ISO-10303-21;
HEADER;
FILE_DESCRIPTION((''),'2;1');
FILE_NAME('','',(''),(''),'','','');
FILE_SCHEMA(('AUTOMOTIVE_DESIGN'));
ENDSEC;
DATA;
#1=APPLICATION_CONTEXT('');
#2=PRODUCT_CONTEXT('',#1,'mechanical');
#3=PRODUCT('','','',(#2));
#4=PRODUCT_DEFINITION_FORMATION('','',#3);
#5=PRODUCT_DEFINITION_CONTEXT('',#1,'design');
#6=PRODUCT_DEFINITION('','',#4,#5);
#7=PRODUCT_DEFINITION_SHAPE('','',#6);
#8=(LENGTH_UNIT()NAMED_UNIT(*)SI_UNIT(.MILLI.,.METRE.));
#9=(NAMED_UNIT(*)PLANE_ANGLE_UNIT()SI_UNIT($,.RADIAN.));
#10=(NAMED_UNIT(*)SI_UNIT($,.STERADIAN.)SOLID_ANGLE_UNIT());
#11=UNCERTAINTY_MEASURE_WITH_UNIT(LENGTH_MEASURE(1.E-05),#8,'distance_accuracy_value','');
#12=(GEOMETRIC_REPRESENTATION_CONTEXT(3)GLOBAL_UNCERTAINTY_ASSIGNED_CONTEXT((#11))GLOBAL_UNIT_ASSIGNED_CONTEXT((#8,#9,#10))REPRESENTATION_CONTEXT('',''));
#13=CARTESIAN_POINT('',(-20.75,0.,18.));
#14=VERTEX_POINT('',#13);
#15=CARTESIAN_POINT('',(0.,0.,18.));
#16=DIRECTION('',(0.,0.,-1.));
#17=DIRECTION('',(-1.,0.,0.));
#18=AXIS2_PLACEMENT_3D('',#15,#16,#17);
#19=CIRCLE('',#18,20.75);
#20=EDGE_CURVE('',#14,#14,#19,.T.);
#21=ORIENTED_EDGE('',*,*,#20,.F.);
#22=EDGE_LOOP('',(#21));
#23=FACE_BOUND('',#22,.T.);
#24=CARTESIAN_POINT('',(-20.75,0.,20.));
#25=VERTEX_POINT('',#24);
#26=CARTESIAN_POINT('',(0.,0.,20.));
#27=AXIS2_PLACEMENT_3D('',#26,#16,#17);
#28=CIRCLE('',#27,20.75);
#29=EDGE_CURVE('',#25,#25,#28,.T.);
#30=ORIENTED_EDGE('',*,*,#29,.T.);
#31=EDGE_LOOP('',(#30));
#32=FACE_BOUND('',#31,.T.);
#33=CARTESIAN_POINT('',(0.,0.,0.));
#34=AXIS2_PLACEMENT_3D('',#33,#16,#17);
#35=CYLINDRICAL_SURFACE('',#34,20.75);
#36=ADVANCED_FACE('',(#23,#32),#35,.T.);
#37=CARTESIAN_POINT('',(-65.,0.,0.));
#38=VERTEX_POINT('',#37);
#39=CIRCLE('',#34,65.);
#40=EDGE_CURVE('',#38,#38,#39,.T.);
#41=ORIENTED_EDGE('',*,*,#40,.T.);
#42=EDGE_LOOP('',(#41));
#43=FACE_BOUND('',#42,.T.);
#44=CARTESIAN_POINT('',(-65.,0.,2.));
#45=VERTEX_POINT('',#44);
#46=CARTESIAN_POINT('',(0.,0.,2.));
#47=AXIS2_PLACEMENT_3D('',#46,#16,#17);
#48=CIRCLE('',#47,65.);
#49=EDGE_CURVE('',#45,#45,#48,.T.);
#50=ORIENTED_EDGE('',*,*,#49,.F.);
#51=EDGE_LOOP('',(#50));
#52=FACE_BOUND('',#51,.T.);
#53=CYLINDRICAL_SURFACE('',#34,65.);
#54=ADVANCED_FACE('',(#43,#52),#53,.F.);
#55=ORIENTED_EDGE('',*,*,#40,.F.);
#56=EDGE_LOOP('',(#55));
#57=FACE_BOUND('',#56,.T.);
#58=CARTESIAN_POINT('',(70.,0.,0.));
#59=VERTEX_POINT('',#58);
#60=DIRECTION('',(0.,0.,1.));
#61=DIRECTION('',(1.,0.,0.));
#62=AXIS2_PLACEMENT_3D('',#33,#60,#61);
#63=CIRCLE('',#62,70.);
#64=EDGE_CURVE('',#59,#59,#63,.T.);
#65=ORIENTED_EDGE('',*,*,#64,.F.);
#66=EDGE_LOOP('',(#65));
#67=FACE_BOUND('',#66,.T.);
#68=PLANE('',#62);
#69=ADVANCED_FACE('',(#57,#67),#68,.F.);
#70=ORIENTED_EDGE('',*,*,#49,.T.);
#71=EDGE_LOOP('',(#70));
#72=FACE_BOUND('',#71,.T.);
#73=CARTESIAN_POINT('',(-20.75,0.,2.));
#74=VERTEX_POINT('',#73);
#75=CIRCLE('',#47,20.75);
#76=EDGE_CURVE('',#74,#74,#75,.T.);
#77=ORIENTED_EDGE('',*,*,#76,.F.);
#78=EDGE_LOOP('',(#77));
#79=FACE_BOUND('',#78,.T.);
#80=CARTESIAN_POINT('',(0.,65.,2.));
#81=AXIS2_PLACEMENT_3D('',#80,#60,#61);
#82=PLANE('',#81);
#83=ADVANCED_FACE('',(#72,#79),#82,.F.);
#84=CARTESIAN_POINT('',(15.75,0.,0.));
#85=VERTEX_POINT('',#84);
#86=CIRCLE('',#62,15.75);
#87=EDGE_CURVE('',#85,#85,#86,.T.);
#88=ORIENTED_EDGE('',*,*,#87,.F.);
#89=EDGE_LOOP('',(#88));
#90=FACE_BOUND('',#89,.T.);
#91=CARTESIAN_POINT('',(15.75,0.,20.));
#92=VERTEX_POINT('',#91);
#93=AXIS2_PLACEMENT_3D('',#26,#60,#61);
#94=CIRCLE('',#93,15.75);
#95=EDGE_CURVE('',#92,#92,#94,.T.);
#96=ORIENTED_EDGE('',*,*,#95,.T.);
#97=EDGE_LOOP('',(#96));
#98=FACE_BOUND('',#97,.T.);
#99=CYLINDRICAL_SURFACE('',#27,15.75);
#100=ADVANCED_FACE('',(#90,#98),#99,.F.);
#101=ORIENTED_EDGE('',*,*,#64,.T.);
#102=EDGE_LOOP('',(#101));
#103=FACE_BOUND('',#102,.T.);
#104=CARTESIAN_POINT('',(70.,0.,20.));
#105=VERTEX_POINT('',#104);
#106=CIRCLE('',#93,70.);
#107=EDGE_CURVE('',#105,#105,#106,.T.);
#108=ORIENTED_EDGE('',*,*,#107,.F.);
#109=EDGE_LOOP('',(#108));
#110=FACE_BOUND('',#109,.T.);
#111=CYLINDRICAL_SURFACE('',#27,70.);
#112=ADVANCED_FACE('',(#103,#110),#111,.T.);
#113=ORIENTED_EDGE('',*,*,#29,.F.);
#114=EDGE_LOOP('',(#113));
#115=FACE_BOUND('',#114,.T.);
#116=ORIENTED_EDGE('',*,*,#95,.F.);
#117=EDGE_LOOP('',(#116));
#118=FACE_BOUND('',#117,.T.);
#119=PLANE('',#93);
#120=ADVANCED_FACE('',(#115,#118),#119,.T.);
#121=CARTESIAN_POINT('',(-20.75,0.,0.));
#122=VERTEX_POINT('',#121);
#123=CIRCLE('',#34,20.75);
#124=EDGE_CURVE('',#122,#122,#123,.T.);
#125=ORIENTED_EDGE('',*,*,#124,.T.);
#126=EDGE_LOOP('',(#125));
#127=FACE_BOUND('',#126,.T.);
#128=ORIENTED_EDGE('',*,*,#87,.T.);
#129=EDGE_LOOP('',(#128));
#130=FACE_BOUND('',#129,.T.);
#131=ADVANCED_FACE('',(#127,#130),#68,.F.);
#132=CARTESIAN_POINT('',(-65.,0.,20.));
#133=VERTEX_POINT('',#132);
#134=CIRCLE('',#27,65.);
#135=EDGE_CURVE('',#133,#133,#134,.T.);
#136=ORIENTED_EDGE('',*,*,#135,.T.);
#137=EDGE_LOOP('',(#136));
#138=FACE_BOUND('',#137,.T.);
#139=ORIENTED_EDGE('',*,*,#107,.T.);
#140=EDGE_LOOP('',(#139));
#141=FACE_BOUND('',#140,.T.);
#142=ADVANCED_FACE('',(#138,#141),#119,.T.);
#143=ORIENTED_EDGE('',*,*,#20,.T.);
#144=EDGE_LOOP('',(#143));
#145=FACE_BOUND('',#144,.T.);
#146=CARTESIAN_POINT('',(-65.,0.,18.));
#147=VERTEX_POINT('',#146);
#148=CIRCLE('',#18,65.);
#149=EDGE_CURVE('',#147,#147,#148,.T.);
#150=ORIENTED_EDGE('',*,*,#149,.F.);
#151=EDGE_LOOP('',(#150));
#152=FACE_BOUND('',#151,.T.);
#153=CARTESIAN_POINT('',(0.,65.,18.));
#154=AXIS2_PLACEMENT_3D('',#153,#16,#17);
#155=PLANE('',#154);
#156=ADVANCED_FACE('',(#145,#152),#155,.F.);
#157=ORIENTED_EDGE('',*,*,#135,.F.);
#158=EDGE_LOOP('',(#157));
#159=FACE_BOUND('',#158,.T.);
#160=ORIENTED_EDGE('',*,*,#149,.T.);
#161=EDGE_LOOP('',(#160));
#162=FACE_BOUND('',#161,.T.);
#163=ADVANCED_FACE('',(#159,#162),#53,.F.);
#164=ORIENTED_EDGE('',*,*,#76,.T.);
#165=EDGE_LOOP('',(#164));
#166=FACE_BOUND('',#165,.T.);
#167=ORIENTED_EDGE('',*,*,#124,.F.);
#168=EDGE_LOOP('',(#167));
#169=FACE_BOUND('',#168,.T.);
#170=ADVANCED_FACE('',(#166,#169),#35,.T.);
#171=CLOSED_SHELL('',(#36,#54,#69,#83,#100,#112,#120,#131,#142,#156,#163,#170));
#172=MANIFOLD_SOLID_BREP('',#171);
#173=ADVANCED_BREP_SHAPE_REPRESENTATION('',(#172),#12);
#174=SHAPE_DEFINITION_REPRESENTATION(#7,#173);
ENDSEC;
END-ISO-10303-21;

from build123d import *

# Parameters (mm, degrees)
SKIZZE1_R                       = 70
SKIZZE1_R_2                     = 15.75
AUFSATZ_LINEAR_AUSTRAGEN1_DEPTH = 20
SKIZZE2_W                       = 2
SKIZZE2_H                       = 44.25


with BuildPart() as part:
    # Skizze1 → Aufsatz-Linear austragen1 (new body)
    with BuildSketch(Plane.XY):
        Circle(SKIZZE1_R)
        Circle(SKIZZE1_R_2, mode=Mode.SUBTRACT)
    extrude(amount=AUFSATZ_LINEAR_AUSTRAGEN1_DEPTH)

    # Skizze2 → Schnitt-Rotation1 (revolve, cut)
    with BuildSketch(Plane(origin=(0, 0, 0), x_dir=(0, 0, -1), z_dir=(1, 0, 0)), mode=Mode.PRIVATE) as schnitt_rotation1_sk:
        with Locations((-19, 42.875)):
            Rectangle(SKIZZE2_W, SKIZZE2_H)
        with Locations((-1, 42.875)):
            Rectangle(SKIZZE2_W, SKIZZE2_H)
    revolve(schnitt_rotation1_sk.sketch.rotate(Axis((0, 0, 0), (0, 0, 1)), 90), axis=Axis((0, 0, 0), (0, 0, 1)), mode=Mode.SUBTRACT)


solid = part.part
